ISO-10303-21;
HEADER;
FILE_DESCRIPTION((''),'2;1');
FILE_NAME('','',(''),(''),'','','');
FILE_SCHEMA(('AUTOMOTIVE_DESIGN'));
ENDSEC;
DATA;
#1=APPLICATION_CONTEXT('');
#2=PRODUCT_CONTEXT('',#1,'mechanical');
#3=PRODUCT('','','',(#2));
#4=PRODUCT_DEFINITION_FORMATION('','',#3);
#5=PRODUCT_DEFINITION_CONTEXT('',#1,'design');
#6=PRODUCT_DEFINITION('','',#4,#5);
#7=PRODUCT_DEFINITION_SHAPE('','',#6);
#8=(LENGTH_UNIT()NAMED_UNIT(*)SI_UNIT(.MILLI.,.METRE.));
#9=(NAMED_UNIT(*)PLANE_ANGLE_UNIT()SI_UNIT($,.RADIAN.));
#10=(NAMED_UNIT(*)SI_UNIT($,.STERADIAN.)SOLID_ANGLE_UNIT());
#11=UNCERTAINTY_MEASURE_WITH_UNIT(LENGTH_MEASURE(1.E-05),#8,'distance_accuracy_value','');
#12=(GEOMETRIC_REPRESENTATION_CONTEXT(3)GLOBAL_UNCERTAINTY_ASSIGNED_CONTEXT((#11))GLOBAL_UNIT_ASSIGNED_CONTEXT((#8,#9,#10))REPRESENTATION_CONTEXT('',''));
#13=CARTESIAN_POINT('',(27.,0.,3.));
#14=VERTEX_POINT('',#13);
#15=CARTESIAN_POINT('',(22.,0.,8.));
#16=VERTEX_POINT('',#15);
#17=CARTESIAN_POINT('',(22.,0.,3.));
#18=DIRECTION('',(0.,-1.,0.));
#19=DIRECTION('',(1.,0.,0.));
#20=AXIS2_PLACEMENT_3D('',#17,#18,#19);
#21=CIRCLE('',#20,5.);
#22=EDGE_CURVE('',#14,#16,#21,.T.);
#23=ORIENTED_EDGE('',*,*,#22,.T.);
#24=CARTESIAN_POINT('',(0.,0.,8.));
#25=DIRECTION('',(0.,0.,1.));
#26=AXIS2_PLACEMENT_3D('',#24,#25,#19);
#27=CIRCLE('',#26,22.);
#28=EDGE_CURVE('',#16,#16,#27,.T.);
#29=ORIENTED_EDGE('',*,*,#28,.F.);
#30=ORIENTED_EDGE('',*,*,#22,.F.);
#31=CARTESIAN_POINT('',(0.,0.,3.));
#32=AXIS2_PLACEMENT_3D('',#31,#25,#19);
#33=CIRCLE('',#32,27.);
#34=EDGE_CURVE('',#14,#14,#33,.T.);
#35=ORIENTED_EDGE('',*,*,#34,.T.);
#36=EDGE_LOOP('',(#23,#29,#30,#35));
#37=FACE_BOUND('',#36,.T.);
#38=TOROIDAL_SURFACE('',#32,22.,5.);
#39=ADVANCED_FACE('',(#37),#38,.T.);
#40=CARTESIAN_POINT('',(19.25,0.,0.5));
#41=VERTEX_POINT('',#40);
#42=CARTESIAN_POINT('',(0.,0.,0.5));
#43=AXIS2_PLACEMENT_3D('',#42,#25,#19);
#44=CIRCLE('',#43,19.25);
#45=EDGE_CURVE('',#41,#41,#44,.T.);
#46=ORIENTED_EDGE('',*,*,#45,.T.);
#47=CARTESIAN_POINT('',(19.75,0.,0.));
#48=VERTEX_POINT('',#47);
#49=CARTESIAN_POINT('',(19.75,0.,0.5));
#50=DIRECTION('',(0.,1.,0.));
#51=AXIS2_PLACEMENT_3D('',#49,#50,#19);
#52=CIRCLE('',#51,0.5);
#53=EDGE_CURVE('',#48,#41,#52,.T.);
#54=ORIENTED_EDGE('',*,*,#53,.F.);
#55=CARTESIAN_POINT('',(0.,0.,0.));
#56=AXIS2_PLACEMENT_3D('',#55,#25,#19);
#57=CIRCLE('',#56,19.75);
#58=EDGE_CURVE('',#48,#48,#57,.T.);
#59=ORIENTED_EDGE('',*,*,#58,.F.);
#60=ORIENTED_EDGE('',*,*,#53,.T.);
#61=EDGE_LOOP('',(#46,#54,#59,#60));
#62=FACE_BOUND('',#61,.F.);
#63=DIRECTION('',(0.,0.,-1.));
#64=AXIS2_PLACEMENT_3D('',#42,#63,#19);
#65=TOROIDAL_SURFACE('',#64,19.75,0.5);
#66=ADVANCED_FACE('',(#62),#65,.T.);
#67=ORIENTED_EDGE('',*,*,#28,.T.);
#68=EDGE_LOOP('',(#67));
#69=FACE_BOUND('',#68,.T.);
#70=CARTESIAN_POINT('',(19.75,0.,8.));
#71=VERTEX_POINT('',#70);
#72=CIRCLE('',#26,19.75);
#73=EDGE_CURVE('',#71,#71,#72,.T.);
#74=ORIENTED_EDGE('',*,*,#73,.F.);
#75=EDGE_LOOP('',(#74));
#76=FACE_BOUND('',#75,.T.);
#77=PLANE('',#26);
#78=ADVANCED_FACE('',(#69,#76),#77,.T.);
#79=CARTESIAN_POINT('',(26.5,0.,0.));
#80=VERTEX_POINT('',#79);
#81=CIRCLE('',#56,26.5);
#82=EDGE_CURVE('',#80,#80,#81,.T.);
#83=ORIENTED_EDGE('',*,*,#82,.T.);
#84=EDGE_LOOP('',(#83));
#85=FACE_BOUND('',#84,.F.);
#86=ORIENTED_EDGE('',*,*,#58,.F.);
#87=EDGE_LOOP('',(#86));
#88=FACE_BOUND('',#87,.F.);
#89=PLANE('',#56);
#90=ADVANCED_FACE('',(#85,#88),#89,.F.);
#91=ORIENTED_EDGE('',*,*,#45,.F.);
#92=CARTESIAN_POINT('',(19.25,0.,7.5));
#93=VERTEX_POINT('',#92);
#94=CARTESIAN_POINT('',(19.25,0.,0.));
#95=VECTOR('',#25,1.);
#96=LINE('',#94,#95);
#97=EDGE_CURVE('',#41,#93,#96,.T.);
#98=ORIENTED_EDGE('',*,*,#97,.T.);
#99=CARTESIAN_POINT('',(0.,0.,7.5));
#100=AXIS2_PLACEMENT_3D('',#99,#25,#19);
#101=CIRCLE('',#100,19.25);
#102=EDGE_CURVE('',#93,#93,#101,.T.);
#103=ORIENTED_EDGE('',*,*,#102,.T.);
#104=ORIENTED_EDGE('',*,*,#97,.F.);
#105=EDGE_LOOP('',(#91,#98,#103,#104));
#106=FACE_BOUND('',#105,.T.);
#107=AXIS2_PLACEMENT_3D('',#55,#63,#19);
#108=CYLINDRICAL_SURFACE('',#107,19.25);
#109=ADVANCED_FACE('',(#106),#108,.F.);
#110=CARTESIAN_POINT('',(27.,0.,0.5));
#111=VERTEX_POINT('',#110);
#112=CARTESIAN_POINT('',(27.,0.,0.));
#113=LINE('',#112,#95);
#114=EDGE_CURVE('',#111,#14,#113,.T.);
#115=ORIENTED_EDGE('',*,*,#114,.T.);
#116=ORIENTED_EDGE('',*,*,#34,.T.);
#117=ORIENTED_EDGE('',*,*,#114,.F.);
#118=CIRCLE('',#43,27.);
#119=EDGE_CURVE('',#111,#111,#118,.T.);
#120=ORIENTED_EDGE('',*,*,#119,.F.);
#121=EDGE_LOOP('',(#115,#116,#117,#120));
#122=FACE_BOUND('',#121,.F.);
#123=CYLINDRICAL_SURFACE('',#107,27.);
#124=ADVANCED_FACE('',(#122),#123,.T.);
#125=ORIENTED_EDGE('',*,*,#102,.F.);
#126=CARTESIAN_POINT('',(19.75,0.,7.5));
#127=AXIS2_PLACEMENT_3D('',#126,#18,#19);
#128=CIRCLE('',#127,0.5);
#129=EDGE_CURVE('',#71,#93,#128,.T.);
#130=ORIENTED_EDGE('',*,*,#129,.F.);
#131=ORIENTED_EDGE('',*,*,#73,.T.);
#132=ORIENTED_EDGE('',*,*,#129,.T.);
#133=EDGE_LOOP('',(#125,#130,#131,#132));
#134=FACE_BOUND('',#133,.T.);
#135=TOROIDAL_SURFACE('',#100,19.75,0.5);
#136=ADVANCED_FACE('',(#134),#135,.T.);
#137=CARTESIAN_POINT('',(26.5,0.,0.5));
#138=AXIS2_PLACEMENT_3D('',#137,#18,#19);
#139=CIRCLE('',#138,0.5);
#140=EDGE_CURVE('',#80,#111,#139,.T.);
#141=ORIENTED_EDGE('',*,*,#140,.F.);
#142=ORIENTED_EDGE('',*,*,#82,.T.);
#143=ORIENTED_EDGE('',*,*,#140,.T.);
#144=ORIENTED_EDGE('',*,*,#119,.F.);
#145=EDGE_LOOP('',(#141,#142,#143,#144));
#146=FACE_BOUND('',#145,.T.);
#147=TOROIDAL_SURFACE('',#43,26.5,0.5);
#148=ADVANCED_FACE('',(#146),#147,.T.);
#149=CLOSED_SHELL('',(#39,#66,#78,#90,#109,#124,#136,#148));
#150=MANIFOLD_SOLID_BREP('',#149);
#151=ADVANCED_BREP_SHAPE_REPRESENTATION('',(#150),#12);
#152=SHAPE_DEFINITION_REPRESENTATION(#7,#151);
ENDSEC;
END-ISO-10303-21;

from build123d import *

# Parameters (mm, degrees)
F0_R     = 27
F0_R_2   = 19.25
F1_DEPTH = 8
F2_R     = 5
F3_R     = 0.5
F4_R     = 0.5


with BuildPart() as f1:
    # F0 (on Top) → F1 (new body)
    with BuildSketch(Plane.XY):
        Circle(F0_R)
        Circle(F0_R_2, mode=Mode.SUBTRACT)
    extrude(amount=F1_DEPTH)

    # F2
    f2_edges = [f1.edges().sort_by_distance(p)[0] for p in [
        (-27, 0, 8),
    ]]
    fillet(f2_edges, radius=F2_R)

    # F3
    f3_edges = [f1.edges().sort_by_distance(p)[0] for p in [
        (-19.25, 0, 8),
        (-19.25, 0, 0),
    ]]
    fillet(f3_edges, radius=F3_R)

    # F4
    f4_edges = [f1.edges().sort_by_distance(p)[0] for p in [
        (-27, 0, 0),
    ]]
    fillet(f4_edges, radius=F4_R)


solid = f1.part
